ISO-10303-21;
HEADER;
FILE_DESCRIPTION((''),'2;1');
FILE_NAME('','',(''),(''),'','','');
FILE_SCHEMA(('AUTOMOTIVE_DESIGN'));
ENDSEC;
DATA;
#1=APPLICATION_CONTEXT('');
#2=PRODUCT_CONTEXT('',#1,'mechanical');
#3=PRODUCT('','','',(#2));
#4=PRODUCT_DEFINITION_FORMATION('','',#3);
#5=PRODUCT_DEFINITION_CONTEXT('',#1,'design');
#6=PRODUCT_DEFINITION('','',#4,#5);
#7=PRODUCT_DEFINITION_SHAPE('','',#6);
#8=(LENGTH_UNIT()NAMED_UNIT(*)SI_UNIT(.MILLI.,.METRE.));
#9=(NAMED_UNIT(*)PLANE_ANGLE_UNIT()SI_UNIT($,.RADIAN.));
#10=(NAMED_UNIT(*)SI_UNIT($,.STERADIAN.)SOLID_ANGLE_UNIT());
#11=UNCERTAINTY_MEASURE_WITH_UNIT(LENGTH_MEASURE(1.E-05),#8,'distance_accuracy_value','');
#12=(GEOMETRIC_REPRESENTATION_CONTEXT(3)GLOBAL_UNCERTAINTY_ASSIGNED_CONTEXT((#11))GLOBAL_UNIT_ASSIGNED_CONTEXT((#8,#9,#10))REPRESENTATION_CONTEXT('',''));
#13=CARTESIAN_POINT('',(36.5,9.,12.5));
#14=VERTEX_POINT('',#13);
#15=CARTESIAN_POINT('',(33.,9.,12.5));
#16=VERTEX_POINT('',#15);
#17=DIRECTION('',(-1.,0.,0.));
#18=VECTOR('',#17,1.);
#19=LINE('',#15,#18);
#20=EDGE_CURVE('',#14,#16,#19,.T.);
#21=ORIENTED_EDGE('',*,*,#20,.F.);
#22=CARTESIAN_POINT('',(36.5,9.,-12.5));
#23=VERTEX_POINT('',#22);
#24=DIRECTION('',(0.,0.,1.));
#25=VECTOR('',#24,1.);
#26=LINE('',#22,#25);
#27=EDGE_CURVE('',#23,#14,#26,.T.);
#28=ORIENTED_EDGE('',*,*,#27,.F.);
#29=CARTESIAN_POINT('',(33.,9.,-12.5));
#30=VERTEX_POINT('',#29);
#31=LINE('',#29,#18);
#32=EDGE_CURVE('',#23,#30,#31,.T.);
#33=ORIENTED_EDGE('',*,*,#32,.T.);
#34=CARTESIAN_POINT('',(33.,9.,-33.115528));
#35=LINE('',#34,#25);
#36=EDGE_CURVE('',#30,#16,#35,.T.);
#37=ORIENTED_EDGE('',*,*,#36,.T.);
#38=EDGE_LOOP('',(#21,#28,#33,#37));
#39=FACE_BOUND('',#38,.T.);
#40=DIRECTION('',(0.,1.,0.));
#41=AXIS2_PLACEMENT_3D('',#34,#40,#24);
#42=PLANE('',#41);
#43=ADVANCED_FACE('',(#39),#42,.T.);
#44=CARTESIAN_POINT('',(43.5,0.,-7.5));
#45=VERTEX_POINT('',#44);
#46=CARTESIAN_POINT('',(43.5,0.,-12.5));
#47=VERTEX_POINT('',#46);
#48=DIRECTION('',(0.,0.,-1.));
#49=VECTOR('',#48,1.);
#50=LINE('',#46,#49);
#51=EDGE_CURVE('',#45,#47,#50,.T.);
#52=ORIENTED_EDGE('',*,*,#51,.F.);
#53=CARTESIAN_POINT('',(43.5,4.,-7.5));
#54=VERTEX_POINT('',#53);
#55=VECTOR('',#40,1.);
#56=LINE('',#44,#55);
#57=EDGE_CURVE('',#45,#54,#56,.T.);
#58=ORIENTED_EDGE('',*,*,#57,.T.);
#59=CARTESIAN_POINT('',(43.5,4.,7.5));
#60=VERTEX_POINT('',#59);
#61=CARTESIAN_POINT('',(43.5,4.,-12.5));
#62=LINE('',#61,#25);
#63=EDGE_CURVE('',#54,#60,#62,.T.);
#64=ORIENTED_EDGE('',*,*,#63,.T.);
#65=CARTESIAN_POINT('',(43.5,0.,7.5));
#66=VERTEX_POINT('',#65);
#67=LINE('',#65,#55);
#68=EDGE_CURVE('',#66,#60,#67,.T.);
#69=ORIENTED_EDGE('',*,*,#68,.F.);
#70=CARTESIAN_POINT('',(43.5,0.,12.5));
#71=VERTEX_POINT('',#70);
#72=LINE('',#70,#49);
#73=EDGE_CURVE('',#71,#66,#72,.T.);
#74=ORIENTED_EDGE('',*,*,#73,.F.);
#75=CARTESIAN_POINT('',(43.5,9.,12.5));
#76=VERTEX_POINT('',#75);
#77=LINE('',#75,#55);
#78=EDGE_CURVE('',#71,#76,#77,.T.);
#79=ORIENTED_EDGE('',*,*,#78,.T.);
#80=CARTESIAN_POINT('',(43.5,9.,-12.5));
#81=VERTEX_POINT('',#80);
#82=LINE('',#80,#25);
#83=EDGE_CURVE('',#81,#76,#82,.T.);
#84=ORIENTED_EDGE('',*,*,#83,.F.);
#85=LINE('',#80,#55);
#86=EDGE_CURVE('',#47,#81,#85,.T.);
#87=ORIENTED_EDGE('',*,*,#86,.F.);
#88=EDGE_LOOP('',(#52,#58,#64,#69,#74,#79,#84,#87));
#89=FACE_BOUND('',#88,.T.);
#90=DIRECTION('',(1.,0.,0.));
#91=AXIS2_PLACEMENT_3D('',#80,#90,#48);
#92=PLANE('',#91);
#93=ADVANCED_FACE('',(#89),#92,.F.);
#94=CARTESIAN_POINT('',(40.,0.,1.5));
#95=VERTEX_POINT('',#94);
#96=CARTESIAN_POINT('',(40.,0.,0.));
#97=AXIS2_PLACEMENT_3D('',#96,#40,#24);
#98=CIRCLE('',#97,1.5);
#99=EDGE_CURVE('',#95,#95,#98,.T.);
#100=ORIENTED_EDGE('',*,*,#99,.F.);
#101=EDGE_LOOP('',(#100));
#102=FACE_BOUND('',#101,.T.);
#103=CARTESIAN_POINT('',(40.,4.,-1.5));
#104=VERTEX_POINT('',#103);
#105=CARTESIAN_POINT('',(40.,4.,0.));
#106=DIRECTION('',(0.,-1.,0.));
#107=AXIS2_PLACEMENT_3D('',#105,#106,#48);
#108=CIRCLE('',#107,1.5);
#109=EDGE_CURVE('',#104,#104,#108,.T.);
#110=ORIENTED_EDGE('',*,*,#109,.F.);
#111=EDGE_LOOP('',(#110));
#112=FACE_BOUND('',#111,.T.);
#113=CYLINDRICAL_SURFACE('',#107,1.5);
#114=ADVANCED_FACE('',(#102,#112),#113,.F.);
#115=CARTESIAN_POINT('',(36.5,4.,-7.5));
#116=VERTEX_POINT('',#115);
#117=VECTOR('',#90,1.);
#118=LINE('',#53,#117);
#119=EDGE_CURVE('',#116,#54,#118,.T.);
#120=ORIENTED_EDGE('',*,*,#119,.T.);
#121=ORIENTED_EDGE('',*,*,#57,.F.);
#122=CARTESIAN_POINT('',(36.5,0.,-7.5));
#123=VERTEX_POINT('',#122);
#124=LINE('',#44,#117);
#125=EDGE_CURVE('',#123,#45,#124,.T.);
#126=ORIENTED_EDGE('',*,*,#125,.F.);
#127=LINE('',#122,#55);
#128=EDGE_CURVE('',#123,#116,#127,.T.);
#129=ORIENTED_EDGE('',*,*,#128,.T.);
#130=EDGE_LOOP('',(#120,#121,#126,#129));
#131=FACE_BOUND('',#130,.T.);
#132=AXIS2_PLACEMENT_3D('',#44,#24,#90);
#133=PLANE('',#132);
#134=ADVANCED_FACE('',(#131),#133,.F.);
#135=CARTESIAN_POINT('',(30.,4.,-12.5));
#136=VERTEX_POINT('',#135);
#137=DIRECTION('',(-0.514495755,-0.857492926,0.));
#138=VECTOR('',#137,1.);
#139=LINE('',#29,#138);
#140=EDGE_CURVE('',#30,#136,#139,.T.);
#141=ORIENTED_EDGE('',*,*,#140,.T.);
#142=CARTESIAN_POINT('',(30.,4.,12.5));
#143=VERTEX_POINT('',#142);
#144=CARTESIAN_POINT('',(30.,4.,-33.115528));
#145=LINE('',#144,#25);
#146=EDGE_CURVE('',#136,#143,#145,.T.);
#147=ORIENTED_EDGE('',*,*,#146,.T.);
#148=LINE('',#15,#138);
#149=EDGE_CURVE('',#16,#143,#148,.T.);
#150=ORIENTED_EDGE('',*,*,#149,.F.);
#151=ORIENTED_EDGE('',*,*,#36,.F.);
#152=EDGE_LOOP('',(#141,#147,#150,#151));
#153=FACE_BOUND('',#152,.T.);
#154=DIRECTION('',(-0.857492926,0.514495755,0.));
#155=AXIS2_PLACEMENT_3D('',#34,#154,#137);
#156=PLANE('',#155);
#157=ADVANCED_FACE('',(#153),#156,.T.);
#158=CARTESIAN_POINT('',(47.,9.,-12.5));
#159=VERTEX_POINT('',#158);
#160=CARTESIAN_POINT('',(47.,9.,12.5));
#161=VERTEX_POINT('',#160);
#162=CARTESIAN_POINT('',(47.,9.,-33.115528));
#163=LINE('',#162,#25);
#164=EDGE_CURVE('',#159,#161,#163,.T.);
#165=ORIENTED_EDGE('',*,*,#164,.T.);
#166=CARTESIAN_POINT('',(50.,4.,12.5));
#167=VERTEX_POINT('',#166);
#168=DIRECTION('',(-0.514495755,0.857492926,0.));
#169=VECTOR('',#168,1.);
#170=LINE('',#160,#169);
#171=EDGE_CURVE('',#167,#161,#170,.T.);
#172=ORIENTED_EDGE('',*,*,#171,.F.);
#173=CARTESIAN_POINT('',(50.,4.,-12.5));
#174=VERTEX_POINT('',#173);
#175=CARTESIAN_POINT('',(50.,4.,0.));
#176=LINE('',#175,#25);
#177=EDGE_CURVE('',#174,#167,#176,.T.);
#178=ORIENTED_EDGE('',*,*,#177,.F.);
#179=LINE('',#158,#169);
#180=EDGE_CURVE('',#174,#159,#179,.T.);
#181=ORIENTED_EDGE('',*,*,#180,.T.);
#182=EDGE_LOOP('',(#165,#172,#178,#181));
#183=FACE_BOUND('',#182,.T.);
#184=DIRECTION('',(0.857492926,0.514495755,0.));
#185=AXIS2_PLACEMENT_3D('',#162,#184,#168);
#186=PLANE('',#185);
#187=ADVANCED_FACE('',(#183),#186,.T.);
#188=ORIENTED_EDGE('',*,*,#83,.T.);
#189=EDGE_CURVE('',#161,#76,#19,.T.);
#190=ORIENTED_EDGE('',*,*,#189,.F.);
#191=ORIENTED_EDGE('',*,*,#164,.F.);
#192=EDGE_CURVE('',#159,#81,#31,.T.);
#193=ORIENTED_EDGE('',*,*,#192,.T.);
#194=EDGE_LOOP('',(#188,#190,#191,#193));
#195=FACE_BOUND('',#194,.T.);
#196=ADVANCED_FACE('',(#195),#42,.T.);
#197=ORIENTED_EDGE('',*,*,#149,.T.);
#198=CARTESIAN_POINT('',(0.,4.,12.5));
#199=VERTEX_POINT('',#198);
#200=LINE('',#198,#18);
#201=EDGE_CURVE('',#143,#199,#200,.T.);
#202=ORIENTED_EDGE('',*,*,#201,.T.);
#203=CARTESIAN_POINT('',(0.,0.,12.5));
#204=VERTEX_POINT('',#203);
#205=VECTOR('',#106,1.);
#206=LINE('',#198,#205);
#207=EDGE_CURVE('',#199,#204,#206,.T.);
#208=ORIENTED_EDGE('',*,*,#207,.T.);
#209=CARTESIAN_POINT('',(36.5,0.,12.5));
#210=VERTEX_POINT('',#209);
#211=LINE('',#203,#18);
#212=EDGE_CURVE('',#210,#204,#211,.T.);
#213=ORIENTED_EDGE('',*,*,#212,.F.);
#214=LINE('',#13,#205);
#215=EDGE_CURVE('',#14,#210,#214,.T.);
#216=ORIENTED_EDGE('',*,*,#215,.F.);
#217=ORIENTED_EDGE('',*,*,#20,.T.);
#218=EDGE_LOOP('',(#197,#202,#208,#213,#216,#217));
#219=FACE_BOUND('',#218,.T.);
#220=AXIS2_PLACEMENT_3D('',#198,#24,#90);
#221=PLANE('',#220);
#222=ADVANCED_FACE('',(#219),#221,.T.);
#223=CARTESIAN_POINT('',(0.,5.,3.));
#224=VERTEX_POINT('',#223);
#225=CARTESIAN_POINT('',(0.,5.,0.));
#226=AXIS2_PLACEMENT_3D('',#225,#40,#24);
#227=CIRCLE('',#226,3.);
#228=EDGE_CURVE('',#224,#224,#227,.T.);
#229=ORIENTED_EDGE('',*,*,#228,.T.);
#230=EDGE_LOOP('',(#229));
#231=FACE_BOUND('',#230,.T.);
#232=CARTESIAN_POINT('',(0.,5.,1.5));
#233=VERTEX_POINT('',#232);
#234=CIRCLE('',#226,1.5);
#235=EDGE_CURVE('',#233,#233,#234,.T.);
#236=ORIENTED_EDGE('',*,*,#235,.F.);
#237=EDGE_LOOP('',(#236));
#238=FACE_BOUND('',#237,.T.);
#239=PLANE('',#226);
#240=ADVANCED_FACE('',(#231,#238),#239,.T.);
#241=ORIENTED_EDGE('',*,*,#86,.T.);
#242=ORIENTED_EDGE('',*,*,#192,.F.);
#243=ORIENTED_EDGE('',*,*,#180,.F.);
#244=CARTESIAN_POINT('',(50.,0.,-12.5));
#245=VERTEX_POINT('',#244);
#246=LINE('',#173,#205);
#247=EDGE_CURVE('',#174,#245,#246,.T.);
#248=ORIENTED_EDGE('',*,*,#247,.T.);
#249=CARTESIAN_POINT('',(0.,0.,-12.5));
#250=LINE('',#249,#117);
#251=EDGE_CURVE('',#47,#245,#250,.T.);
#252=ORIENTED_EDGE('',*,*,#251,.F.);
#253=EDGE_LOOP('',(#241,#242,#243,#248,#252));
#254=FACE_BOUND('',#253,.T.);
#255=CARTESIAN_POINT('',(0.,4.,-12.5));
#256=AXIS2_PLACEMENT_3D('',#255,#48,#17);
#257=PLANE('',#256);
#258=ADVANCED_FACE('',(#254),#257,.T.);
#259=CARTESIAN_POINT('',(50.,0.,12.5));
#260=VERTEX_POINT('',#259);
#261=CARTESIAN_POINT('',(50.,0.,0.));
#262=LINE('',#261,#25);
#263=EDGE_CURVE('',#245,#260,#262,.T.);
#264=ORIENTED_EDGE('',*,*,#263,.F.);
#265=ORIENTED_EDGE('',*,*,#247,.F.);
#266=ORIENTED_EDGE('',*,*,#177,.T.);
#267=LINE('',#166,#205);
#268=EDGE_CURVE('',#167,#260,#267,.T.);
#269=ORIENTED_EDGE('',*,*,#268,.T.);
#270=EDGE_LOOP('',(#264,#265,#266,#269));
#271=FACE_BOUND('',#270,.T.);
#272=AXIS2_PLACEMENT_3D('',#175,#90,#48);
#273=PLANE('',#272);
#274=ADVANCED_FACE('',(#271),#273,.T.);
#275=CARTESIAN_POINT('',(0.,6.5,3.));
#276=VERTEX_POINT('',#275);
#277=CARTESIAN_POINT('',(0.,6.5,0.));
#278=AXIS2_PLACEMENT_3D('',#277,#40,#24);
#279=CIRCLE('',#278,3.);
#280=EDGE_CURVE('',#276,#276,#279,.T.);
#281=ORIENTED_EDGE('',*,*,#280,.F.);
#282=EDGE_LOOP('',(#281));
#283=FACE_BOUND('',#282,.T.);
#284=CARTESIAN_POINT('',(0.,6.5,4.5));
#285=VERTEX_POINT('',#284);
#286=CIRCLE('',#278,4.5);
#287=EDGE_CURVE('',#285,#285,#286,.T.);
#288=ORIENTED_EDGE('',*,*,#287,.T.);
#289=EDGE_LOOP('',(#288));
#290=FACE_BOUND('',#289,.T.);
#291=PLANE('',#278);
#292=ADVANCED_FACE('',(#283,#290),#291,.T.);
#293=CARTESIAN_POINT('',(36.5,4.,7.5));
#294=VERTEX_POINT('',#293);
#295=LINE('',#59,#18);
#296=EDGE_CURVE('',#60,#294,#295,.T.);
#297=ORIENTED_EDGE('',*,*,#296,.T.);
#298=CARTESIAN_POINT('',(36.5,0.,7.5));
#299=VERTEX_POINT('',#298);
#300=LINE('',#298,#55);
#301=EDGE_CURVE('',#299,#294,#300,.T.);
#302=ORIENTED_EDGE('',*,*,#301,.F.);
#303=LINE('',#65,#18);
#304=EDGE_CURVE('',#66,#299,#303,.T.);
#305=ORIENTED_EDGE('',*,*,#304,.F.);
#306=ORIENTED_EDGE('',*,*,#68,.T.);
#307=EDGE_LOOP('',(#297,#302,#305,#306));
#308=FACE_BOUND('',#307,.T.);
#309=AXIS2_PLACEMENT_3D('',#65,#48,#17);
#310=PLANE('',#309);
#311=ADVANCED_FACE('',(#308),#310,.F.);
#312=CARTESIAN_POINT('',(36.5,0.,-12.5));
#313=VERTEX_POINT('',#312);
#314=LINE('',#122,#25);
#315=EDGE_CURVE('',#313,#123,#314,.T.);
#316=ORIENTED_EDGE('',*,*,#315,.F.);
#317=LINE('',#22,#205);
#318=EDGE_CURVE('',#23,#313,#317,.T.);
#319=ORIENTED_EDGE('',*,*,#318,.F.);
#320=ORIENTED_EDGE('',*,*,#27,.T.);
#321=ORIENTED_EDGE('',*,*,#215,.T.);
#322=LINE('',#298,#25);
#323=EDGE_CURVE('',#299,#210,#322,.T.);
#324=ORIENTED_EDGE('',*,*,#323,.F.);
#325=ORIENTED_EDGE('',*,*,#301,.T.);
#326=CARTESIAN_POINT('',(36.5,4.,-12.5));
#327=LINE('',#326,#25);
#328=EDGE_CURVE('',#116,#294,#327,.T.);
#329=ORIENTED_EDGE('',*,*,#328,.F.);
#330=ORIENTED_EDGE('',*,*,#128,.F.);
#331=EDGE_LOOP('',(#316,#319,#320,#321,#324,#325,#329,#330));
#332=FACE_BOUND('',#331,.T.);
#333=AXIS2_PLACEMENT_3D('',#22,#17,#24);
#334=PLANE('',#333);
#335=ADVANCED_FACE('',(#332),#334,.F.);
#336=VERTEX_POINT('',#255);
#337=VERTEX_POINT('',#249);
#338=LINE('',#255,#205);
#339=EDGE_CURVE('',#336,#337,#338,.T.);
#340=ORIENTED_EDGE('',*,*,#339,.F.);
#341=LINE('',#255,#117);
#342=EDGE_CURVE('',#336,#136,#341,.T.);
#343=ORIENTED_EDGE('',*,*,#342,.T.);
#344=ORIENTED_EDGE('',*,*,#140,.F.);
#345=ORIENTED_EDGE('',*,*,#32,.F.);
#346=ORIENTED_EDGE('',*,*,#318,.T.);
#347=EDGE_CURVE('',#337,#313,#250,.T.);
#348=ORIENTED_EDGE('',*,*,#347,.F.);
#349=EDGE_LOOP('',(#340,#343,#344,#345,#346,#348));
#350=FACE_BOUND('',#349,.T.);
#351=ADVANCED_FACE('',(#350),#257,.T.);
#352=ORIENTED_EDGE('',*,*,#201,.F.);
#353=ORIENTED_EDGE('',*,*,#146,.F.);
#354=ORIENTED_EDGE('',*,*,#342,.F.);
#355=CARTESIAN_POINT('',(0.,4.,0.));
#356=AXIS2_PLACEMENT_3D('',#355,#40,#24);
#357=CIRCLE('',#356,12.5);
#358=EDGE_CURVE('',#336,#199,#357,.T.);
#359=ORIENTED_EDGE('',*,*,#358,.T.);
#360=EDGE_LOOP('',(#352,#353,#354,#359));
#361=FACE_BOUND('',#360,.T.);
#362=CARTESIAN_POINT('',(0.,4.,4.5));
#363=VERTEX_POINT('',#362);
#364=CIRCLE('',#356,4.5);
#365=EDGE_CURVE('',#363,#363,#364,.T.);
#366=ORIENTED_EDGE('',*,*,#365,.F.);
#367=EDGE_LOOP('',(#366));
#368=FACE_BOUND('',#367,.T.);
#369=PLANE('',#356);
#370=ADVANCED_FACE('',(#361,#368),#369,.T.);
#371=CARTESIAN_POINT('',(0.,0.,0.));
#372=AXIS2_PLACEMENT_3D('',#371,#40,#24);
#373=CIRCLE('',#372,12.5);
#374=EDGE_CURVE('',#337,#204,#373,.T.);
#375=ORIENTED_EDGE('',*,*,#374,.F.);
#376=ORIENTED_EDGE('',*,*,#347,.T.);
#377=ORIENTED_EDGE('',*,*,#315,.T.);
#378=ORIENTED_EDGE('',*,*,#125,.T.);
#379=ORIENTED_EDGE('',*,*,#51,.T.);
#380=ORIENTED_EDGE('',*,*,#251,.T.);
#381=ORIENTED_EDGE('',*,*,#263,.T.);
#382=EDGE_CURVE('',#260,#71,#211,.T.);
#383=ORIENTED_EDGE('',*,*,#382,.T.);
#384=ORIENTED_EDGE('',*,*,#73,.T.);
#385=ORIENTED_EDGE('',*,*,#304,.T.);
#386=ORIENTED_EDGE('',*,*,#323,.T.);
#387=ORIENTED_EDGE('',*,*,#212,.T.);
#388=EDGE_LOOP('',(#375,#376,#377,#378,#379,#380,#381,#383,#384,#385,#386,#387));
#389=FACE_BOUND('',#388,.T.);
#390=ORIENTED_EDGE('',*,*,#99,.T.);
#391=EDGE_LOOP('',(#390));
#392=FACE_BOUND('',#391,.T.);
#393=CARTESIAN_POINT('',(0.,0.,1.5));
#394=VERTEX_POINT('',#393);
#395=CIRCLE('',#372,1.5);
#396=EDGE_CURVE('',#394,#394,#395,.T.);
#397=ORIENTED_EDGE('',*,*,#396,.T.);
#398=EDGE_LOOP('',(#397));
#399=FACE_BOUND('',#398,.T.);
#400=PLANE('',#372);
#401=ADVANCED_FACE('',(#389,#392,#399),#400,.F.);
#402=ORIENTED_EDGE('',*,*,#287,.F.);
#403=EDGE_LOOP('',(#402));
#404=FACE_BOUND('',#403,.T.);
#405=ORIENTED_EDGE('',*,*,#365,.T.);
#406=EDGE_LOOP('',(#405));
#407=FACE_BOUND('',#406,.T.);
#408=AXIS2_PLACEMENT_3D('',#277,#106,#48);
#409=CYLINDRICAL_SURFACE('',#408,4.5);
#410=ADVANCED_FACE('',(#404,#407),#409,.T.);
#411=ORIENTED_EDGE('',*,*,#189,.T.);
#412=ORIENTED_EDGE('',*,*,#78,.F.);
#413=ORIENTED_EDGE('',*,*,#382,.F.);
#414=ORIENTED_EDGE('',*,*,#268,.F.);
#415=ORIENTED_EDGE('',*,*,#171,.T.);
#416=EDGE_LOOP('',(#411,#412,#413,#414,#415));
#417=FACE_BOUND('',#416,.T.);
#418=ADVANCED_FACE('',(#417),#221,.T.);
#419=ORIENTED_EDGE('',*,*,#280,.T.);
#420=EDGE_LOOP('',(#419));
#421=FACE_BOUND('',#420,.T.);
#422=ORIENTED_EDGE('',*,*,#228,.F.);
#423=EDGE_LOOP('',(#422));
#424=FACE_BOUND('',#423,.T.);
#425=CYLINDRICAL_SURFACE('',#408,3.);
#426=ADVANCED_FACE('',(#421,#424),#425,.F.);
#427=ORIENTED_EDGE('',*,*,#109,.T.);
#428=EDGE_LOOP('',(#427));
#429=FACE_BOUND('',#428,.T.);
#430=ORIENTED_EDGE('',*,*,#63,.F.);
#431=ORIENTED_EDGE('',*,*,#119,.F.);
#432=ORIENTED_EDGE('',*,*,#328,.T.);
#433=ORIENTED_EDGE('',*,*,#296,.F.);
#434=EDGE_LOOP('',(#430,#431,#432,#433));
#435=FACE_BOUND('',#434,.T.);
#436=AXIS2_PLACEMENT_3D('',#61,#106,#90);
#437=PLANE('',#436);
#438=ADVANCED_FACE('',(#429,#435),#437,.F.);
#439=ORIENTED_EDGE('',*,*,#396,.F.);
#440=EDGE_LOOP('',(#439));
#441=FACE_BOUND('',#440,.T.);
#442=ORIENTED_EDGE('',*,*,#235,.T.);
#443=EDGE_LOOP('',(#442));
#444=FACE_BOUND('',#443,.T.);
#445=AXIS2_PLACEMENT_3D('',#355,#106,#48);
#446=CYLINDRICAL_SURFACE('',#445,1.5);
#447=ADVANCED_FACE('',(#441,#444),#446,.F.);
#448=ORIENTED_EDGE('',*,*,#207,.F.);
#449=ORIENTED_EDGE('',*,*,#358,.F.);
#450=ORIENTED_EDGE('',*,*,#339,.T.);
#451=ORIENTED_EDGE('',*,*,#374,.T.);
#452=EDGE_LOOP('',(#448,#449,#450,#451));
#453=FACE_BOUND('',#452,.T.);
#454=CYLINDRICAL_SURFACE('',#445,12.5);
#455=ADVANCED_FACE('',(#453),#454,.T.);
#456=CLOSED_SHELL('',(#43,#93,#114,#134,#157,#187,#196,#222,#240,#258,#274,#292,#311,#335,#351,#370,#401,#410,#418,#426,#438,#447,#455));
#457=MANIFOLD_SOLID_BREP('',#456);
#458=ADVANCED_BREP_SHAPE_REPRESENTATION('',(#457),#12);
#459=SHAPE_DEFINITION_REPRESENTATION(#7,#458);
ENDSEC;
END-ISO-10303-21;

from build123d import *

# Parameters (mm, degrees)
EXTRUDE_1_DEPTH     = 4
SKETCH_2_R          = 4.5
SKETCH_2_R_2        = 3
EXTRUDE_2_DEPTH     = 2.5
EXTRUDE_3_DEPTH     = 25
SKETCH_4_W          = 7
SKETCH_4_H          = 5
CUT_EXTRUDE_1_DEPTH = 57.621550668
SKETCH_5_W          = 7
SKETCH_5_H          = 5
CUT_EXTRUDE_2_DEPTH = 52.780787943
SKETCH_6_R          = 3
SKETCH_6_R_2        = 1.5
EXTRUDE_4_DEPTH     = 1


with BuildPart() as part:
    # 草图1 → 凸台-拉伸1 (new body)
    with BuildSketch(Plane(origin=(0, 0, 0), x_dir=(1, 0, 0), z_dir=(0, 1, 0))):
        with BuildLine():
            ThreePointArc((12.5, 0), (8.838834765, 8.838834765), (0, 12.5))
            ThreePointArc((0, 12.5), (-8.838834765, 8.838834765), (-12.5, 0))
            Line((-12.5, 0), (-1.5, 0))
            ThreePointArc((-1.5, 0), (0, 1.5), (1.5, 0))
            Line((1.5, 0), (12.5, 0))
        make_face()
        with BuildLine():
            ThreePointArc((0, -12.5), (8.838834765, -8.838834765), (12.5, 0))
            Line((12.5, 0), (1.5, 0))
            ThreePointArc((1.5, 0), (0, -1.5), (-1.5, 0))
            Line((-1.5, 0), (-12.5, 0))
            ThreePointArc((-12.5, 0), (-8.838834765, -8.838834765), (0, -12.5))
        make_face()
        with BuildLine():
            Line((50, 12.5), (0, 12.5))
            ThreePointArc((0, 12.5), (8.838834765, 8.838834765), (12.5, 0))
            Line((12.5, 0), (38.5, 0))
            ThreePointArc((38.5, 0), (40, 1.5), (41.5, 0))
            Line((41.5, 0), (50, 0))
            Line((50, 0), (50, 12.5))
        make_face()
        with BuildLine():
            Line((38.5, 0), (12.5, 0))
            ThreePointArc((12.5, 0), (8.838834765, -8.838834765), (0, -12.5))
            Line((0, -12.5), (50, -12.5))
            Line((50, -12.5), (50, 0))
            Line((50, 0), (41.5, 0))
            ThreePointArc((41.5, 0), (40, -1.5), (38.5, 0))
        make_face()
    extrude(amount=EXTRUDE_1_DEPTH)

    # 草图2 → 凸台-拉伸2 (add)
    with BuildSketch(Plane(origin=(0, 4, 0), x_dir=(1, 0, 0), z_dir=(0, 1, 0))):
        with Locations(Location((0, 0, 0), (0, 0, 270))):
            Circle(SKETCH_2_R)
        with Locations(Location((0, 0, 0), (0, 0, 270))):
            Circle(SKETCH_2_R_2, mode=Mode.SUBTRACT)
    extrude(amount=EXTRUDE_2_DEPTH)

    # 草图3 → 凸台-拉伸3 (add)
    with BuildSketch(Plane.XY.offset(12.5)):
        Polygon((33, 9), (47, 9), (50, 4), (30, 4), align=None)
    extrude(amount=-EXTRUDE_3_DEPTH)

    # 草图4 → 切除-拉伸1 (cut, through all)
    with BuildSketch(Plane.XY.offset(12.5)):
        with Locations((40, 6.5)):
            Rectangle(SKETCH_4_W, SKETCH_4_H)
    extrude(amount=-CUT_EXTRUDE_1_DEPTH, mode=Mode.SUBTRACT)

    # 草图5 → 切除-拉伸2 (cut, through all)
    with BuildSketch(Plane(origin=(0, 4, 0), x_dir=(1, 0, 0), z_dir=(0, 1, 0))):
        with Locations((40, -10)):
            Rectangle(SKETCH_5_W, SKETCH_5_H)
        with Locations((40, 10)):
            Rectangle(SKETCH_5_W, SKETCH_5_H)
    extrude(amount=-CUT_EXTRUDE_2_DEPTH, mode=Mode.SUBTRACT)

    # 草图6 → 凸台-拉伸4 (add)
    with BuildSketch(Plane(origin=(0, 4, 0), x_dir=(1, 0, 0), z_dir=(0, 1, 0))):
        with Locations(Location((0, 0, 0), (0, 0, 270))):
            Circle(SKETCH_6_R)
        with Locations(Location((0, 0, 0), (0, 0, 270))):
            Circle(SKETCH_6_R_2, mode=Mode.SUBTRACT)
    extrude(amount=EXTRUDE_4_DEPTH)


solid = part.part
